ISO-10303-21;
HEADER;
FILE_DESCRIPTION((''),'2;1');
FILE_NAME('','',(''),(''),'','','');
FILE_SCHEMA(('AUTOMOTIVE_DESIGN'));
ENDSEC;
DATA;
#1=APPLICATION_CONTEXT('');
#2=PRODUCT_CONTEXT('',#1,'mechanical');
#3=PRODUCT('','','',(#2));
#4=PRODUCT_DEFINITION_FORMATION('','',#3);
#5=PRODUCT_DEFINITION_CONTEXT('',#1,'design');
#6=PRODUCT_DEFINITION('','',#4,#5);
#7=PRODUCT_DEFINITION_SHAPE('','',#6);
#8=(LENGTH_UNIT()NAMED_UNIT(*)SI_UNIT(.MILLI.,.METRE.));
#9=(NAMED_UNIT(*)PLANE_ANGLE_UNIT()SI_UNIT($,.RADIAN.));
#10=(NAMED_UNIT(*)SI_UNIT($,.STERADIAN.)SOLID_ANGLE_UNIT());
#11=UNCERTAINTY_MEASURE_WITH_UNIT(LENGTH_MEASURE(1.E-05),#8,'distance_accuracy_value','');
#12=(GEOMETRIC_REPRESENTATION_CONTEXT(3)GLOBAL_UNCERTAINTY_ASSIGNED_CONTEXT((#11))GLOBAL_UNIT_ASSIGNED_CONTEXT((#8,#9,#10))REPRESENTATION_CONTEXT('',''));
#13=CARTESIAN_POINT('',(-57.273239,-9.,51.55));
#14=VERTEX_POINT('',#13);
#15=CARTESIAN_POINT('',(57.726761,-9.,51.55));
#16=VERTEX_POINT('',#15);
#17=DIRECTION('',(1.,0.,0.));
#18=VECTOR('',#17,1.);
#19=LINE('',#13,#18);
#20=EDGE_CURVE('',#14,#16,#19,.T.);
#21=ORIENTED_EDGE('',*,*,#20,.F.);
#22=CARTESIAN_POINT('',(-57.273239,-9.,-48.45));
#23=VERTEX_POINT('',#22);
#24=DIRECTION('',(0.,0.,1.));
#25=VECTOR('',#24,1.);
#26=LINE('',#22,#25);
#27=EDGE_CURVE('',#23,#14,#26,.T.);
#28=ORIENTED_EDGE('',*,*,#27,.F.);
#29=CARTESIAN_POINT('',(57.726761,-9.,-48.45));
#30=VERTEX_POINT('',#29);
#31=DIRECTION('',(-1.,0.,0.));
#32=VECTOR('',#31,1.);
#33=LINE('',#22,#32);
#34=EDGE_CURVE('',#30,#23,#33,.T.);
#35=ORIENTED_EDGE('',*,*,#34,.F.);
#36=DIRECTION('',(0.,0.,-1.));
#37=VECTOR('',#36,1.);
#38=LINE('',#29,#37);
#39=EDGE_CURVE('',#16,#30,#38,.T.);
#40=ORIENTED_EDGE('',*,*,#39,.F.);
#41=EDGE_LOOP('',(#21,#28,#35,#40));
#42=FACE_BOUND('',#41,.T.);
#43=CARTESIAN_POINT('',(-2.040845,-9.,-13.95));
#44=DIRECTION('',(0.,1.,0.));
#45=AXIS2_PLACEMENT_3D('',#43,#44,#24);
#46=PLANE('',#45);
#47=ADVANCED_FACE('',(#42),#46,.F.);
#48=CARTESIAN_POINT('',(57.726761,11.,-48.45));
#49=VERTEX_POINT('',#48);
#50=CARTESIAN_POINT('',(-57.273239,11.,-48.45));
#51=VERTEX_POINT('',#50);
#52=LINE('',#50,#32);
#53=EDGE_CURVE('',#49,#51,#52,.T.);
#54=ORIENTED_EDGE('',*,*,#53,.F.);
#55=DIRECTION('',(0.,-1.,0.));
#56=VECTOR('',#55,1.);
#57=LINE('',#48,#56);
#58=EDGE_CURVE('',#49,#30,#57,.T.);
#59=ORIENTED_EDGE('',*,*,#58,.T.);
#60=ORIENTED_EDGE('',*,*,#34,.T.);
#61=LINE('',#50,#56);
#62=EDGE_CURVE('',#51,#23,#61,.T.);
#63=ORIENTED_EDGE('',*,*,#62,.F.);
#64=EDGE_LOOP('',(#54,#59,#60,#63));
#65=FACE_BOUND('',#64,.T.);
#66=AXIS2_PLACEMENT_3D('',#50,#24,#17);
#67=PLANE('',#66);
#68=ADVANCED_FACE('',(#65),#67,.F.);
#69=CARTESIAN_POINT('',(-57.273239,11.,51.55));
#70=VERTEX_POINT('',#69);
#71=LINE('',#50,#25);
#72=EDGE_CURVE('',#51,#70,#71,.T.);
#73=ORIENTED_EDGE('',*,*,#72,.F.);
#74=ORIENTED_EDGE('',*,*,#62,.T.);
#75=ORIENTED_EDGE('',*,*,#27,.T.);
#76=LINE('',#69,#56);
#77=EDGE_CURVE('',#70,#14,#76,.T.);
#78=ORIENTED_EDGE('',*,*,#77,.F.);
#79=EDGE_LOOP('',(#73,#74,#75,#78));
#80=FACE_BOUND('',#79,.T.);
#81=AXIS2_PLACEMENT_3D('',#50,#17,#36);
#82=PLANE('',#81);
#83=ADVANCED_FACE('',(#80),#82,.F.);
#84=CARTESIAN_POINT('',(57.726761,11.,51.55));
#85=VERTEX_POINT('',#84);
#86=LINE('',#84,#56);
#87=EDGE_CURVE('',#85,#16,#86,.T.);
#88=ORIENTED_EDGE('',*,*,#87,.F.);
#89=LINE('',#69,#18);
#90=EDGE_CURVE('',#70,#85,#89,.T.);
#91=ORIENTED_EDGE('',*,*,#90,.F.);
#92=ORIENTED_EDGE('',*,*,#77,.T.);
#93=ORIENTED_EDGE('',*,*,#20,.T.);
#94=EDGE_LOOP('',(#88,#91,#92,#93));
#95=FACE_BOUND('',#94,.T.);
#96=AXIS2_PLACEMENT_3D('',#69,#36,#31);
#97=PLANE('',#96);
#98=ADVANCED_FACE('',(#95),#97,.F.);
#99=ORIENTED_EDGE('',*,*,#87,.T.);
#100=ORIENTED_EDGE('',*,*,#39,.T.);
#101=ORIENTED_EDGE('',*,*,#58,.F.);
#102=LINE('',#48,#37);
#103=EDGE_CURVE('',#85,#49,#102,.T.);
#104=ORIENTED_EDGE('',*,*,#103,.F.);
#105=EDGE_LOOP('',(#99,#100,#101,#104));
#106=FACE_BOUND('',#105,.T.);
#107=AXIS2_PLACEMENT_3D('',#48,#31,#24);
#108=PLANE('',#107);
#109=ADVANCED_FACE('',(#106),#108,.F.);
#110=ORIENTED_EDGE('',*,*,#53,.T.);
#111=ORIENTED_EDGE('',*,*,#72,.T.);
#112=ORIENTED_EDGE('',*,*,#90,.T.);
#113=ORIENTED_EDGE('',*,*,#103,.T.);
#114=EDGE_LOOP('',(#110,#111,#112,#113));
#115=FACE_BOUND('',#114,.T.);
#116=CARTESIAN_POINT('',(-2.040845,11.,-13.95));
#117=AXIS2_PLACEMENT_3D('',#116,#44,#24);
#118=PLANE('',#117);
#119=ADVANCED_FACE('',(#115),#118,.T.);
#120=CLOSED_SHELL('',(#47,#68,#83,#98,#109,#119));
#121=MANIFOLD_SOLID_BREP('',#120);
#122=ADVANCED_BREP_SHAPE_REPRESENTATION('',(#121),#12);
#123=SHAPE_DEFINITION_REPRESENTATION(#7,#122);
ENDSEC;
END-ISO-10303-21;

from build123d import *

# Parameters (mm, degrees)
SKETCH2_W           = 11.5
SKETCH2_H           = 10
BOSS_EXTRUDE1_DEPTH = 2
SCALE1_SCALE        = 10


with BuildPart() as part:
    # Sketch2 → Boss-Extrude1 (new body)
    with BuildSketch(Plane(origin=(0, 0, 0), x_dir=(1, 0, 0), z_dir=(0, 1, 0))):
        with Locations((0.226760563, -1.55)):
            Rectangle(SKETCH2_W, SKETCH2_H)
    extrude(amount=BOSS_EXTRUDE1_DEPTH)


with BuildPart() as part_1:
    # Scale1: scaled about (0.226760563, 1, 1.55)
    add(part.part.scale(SCALE1_SCALE).moved(Location((-2.040845067, -9, -13.95))))


solid = part_1.part
